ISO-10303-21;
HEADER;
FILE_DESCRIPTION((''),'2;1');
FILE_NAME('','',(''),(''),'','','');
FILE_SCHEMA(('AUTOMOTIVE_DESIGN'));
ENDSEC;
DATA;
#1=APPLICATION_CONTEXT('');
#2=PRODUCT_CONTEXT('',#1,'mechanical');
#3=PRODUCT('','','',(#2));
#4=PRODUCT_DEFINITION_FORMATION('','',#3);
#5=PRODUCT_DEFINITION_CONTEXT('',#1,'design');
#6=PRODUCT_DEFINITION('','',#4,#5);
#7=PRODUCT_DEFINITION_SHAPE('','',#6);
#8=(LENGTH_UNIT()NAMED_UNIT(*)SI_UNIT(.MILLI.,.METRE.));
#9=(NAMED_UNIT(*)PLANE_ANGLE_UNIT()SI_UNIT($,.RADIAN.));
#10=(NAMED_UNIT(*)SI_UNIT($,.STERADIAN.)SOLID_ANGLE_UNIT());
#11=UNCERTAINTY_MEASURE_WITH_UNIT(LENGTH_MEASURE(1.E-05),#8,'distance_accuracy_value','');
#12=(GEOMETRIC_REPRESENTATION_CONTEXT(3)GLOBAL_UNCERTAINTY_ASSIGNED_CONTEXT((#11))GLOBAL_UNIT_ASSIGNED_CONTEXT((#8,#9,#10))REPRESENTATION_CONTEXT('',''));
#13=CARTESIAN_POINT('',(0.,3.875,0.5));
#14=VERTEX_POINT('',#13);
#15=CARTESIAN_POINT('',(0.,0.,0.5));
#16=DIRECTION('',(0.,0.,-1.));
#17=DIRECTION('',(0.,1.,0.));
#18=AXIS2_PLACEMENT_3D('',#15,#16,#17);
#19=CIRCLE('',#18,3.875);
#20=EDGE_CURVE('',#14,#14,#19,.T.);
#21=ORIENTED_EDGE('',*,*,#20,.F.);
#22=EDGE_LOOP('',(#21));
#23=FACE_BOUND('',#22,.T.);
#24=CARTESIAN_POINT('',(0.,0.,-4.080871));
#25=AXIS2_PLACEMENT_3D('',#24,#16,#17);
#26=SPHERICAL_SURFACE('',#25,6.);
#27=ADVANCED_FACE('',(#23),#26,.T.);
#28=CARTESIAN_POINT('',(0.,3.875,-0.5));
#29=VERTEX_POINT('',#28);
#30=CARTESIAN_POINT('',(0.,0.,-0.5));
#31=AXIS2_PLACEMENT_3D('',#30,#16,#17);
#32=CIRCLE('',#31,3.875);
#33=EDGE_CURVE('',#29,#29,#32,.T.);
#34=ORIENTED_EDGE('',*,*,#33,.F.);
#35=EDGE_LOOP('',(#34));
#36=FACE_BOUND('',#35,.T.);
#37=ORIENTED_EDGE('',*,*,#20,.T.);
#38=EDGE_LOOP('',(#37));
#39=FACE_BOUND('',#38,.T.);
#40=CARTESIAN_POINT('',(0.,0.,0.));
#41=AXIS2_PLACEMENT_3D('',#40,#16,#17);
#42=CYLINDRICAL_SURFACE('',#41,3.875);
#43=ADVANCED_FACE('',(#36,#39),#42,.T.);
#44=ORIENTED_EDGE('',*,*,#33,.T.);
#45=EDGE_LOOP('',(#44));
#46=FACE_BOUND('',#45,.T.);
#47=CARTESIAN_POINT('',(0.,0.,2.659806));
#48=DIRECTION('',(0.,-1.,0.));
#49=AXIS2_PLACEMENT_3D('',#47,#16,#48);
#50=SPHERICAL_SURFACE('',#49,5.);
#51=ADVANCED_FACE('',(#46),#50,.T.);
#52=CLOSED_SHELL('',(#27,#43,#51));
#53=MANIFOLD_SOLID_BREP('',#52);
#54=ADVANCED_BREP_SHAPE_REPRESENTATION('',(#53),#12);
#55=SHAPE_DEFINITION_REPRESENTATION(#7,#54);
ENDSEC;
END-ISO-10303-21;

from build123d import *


with BuildPart() as part:
    # Sketch3 → Revolve1 (revolve)
    with BuildSketch(Plane(origin=(0, 0, 0), x_dir=(0, 0, -1), z_dir=(1, 0, 0))):
        with BuildLine():
            Line((0, 3.875), (0, 0))
            Line((0, 0), (2.340193835, 0))
            ThreePointArc((2.340193835, 0), (1.856776106, 2.144874026), (0.5, 3.875))
            Line((0.5, 3.875), (0, 3.875))
        make_face()
        with BuildLine():
            Line((-1.91912945, 0), (0, 0))
            Line((0, 0), (0, 3.875))
            Line((0, 3.875), (-0.5, 3.875))
            ThreePointArc((-0.5, 3.875), (-1.553187636, 2.063343972), (-1.91912945, 0))
        make_face()
    revolve(axis=Axis((0, 0, 0), (0, 0, 1)))


solid = part.part
